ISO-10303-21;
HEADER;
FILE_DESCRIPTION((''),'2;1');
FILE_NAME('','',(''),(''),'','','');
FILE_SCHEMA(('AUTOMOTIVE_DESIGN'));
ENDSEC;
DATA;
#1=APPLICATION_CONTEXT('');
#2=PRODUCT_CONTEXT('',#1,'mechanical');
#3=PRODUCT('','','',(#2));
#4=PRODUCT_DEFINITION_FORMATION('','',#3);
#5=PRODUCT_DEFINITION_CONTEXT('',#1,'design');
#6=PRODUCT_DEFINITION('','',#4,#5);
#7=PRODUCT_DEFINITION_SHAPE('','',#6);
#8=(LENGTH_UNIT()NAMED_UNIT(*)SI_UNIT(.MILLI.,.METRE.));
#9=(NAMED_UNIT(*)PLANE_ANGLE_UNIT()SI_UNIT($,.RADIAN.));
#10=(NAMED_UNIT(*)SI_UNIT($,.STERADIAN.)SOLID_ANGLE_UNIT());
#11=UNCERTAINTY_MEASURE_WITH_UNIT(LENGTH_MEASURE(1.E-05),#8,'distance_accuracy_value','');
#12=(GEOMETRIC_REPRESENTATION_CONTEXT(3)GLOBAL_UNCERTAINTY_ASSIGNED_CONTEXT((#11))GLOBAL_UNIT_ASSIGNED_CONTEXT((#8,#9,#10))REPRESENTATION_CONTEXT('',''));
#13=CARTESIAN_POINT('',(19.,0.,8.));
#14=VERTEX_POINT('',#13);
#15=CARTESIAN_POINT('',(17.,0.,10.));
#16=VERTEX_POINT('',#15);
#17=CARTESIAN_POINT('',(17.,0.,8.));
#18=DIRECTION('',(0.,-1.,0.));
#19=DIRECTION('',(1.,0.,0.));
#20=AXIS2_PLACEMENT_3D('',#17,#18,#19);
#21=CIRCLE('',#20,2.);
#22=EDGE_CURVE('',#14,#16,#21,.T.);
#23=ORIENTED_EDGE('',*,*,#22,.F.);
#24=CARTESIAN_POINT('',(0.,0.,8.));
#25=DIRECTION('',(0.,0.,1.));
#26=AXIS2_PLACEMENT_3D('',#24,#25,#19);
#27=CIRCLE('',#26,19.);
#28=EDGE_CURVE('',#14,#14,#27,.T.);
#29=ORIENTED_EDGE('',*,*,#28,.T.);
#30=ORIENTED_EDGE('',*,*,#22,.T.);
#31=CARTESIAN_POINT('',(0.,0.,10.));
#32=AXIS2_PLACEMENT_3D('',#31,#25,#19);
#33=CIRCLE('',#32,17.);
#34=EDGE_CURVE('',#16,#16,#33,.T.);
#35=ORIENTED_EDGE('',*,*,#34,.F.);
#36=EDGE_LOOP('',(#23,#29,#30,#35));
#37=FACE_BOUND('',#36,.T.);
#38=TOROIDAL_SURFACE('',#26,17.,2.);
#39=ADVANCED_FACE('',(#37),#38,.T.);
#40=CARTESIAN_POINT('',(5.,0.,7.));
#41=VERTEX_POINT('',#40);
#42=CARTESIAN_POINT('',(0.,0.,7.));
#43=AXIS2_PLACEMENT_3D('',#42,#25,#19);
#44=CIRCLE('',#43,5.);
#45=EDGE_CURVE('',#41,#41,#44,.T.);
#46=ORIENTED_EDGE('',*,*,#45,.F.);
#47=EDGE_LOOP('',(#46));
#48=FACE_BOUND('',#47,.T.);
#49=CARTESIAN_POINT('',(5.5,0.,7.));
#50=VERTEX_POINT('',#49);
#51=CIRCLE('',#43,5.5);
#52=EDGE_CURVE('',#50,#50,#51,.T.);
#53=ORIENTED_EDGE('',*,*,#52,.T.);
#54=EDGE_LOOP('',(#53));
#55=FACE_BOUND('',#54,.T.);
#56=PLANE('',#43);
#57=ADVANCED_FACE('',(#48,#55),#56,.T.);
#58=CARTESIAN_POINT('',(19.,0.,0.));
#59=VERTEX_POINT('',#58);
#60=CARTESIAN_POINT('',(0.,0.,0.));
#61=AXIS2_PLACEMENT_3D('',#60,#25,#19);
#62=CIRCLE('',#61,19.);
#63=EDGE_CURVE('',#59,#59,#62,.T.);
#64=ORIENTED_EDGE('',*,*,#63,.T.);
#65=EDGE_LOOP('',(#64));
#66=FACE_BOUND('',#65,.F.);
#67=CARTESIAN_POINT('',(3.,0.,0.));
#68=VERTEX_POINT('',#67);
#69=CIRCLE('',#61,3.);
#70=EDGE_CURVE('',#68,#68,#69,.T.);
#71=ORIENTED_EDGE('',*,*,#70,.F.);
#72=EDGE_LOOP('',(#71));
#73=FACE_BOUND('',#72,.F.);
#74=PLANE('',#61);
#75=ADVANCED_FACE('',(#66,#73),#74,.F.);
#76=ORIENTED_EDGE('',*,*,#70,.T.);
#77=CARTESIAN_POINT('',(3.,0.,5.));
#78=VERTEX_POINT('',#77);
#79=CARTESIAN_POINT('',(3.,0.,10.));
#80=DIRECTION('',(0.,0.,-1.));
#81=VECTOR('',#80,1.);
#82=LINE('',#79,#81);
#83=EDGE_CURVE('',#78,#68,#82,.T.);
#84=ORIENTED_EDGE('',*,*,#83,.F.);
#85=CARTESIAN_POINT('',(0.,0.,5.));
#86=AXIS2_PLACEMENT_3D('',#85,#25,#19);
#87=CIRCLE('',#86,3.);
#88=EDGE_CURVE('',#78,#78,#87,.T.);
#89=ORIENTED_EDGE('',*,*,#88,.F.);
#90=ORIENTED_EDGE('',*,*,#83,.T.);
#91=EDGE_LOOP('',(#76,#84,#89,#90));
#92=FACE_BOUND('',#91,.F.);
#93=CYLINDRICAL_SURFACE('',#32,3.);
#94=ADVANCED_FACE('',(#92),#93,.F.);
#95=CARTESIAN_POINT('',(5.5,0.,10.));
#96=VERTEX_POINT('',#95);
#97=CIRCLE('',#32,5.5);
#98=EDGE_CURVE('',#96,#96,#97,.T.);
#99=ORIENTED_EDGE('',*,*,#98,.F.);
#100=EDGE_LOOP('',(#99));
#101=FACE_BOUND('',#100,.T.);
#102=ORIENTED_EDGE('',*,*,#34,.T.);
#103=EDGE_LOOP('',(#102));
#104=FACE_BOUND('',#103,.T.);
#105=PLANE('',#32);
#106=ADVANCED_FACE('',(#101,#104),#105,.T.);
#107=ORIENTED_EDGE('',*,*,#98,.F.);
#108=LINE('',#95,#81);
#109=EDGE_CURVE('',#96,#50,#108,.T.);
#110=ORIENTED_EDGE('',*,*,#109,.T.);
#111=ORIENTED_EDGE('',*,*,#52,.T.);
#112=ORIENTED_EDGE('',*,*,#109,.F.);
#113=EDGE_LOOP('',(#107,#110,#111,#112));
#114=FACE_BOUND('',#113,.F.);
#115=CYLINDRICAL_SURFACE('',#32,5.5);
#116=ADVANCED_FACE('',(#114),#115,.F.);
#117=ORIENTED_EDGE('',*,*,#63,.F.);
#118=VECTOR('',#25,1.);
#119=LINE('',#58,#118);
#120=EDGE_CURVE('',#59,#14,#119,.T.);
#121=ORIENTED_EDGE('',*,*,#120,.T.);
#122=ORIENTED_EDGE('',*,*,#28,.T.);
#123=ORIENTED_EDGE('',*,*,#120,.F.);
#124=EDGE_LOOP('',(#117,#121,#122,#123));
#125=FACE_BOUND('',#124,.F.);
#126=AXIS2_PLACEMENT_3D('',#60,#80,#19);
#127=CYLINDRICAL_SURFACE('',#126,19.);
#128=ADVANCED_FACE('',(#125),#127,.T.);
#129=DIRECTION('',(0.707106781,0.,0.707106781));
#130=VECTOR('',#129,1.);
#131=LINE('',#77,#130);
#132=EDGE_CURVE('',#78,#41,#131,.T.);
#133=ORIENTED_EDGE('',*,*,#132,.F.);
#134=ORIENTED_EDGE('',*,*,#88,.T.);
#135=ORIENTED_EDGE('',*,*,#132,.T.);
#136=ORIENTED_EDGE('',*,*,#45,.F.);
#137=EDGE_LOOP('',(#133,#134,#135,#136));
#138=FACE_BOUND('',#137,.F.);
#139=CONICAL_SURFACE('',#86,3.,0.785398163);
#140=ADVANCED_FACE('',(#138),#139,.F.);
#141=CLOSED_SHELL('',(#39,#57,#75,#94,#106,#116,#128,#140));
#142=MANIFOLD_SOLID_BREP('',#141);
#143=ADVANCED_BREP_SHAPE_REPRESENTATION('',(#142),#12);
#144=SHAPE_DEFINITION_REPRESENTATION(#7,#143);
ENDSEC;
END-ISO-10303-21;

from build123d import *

# Parameters (mm, degrees)
SKETCH_R        = 19
PAD_DEPTH       = 10
SKETCH001_R     = 3
POCKET_DEPTH    = 10.001
SKETCH002_R     = 5.5
POCKET001_DEPTH = 3
CHAMFER_SIZE    = 2
FILLET_R        = 2


with BuildPart() as part:
    # Sketch → Pad (new body)
    with BuildSketch(Plane.XY):
        Circle(SKETCH_R)
    extrude(amount=PAD_DEPTH)

    # Sketch001 (on Face3 of Pad) → Pocket (cut, through all)
    with BuildSketch(Plane.XY.offset(10)):
        Circle(SKETCH001_R)
    extrude(amount=-POCKET_DEPTH, mode=Mode.SUBTRACT)

    # Sketch002 (on Face3 of Pocket) → Pocket001 (cut)
    with BuildSketch(Plane.XY.offset(10)):
        Circle(SKETCH002_R)
    extrude(amount=-POCKET001_DEPTH, mode=Mode.SUBTRACT)

    # Chamfer
    chamfer_edges = [part.edges().sort_by_distance(p)[0] for p in [
        (-3, 0, 7),
    ]]
    chamfer(chamfer_edges, length=CHAMFER_SIZE)

    # Fillet
    fillet_edges = [part.edges().sort_by_distance(p)[0] for p in [
        (-19, 0, 10),
    ]]
    fillet(fillet_edges, radius=FILLET_R)


solid = part.part
